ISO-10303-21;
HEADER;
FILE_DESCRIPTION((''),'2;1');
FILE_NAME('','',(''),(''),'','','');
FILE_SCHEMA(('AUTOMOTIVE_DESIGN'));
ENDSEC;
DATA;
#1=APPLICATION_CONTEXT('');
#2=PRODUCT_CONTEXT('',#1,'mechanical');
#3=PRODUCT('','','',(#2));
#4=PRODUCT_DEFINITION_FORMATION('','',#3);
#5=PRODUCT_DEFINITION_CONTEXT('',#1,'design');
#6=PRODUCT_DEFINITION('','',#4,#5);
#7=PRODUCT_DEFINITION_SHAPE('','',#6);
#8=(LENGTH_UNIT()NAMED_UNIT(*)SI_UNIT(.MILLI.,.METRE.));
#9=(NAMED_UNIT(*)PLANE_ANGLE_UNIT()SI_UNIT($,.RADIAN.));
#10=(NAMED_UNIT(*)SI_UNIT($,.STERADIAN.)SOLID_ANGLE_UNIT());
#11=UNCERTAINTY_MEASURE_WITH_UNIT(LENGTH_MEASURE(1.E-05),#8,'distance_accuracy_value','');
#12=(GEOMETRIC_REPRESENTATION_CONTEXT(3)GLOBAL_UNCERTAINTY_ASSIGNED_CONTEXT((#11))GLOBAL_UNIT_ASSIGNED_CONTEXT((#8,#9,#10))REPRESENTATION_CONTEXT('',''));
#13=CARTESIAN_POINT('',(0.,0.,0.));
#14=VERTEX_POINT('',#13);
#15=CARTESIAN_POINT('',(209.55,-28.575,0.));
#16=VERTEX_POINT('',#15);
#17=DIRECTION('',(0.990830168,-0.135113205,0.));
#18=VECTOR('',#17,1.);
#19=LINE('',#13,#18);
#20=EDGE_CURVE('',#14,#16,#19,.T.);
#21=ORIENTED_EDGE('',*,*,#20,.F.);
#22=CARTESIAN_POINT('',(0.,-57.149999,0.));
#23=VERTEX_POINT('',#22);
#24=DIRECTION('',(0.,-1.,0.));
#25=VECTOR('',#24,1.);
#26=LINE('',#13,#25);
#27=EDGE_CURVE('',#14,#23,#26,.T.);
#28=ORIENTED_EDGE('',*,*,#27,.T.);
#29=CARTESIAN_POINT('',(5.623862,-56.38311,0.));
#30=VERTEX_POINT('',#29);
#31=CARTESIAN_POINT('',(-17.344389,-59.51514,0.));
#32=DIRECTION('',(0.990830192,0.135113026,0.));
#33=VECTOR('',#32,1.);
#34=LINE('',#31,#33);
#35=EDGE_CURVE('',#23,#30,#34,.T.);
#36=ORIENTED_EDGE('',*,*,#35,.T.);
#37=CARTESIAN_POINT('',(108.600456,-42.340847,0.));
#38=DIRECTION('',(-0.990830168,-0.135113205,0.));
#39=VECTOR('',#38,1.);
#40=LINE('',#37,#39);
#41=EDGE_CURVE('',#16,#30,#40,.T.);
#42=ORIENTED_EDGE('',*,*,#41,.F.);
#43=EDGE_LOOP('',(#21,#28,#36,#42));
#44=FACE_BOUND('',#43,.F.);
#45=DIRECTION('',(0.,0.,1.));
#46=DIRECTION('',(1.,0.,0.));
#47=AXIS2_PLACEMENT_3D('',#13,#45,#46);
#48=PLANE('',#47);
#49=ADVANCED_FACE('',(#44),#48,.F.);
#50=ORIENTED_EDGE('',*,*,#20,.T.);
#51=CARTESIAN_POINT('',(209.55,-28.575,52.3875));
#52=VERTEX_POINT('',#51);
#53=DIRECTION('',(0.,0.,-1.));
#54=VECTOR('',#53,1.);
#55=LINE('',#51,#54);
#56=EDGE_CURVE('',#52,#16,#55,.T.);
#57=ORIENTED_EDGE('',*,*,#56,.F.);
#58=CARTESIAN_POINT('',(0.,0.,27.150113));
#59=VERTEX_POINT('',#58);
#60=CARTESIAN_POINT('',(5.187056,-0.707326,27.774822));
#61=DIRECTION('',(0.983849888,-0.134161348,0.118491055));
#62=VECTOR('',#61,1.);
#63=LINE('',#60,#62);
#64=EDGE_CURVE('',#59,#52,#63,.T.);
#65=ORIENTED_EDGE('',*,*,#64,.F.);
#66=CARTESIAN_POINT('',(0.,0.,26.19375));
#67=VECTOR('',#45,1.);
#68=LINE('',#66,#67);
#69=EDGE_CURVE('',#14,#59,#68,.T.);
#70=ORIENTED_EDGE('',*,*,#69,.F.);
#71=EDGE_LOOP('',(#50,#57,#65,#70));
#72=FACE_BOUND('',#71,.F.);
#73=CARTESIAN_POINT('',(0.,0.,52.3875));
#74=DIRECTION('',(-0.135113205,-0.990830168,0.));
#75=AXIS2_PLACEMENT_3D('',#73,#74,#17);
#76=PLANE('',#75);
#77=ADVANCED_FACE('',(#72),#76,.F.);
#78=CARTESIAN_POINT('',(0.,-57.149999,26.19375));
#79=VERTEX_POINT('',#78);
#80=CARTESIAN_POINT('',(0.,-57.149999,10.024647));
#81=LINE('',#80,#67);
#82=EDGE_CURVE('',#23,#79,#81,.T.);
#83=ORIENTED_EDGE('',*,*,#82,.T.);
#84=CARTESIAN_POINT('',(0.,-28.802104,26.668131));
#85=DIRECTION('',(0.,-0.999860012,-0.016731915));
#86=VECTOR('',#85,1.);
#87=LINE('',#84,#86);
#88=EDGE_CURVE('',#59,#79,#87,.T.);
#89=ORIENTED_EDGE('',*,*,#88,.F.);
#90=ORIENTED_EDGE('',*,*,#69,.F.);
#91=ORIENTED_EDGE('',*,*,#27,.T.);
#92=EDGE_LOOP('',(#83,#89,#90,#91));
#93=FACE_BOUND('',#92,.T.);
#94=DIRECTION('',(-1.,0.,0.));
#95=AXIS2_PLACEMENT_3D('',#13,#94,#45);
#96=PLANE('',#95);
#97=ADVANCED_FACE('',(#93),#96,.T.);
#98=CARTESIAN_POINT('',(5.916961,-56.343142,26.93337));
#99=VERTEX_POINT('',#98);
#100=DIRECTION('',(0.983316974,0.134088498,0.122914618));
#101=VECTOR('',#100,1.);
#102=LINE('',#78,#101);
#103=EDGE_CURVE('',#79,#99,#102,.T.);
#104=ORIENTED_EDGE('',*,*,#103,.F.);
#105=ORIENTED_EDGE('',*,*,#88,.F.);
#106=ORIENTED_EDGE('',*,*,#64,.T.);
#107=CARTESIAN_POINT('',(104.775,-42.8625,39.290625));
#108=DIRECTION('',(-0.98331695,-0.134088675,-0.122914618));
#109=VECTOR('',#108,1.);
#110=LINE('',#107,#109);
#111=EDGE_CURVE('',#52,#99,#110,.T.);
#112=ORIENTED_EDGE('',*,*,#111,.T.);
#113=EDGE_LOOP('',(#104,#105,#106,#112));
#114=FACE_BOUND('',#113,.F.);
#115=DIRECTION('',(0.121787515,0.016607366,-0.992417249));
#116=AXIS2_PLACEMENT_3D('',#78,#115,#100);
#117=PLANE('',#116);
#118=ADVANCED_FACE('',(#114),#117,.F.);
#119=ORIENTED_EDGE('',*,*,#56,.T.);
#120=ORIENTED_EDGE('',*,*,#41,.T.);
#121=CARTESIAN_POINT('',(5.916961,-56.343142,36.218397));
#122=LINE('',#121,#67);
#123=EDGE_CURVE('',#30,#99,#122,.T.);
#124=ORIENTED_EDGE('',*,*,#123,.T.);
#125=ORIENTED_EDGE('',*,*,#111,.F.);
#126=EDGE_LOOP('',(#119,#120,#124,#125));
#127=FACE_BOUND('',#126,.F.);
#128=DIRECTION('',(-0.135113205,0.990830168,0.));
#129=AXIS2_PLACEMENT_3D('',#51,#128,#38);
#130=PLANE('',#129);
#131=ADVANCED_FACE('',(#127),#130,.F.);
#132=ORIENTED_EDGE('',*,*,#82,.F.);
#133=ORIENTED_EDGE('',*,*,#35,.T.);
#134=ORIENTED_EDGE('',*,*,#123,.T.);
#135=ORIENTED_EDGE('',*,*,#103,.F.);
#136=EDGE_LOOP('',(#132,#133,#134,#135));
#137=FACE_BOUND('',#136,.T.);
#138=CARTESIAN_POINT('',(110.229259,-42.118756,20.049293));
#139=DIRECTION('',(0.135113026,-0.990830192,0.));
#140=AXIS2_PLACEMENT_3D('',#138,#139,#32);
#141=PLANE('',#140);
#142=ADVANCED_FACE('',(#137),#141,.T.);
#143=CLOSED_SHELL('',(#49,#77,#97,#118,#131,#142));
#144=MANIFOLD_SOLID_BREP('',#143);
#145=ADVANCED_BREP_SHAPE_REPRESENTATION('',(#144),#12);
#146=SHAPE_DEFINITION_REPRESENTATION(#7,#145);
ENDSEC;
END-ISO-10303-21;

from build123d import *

# Parameters (mm, degrees)
F0_W     = 209.55
F0_H     = 52.3875
F1_DEPTH = 57.15
F3_DEPTH = 76.2
F5_DEPTH = 76.2
F7_DEPTH = 72.644
F9_DEPTH = 19.304


with BuildPart() as f1:
    # F0 (on Front) → F1 (new body)
    with BuildSketch(Plane.XZ):
        with Locations((104.775, 26.19375)):
            Rectangle(F0_W, F0_H)
    extrude(amount=F1_DEPTH)

    # F2 (on face) → F3 (cut)
    with BuildSketch(Plane.XY.offset(52.3875)):
        Polygon((209.55, -57.15), (209.55, -28.575), (0, -57.15), align=None)
    extrude(amount=-F3_DEPTH, mode=Mode.SUBTRACT)

    # F4 (on face) → F5 (cut)
    with BuildSketch(Plane.XY.offset(52.3875)):
        Polygon((0, 0), (209.55, -28.575), (209.55, 0), align=None)
    extrude(amount=-F5_DEPTH, mode=Mode.SUBTRACT)

    # F6 (on face) → F7 (cut)
    with BuildSketch(Plane(origin=(7.650913, -56.106694, 0), x_dir=(0.99083, 0.135113, 0), z_dir=(0.135113, -0.99083, 0))):
        Polygon((-7.72172, 26.19375), (203.767602, 52.3875), (-7.72172, 52.3875), align=None)
    extrude(amount=-F7_DEPTH, mode=Mode.SUBTRACT)

    # F8 (on face) → F9 (cut)
    with BuildSketch(Plane(origin=(7.650913, -56.106694, 0), x_dir=(0.99083, 0.135113, 0), z_dir=(0.135113, -0.99083, 0))):
        Polygon((203.767602, 52.3875), (-7.72172, 26.19375), (-7.72172, 0), (203.767602, 0), align=None)
        Polygon((-7.72172, 0), (-7.72172, 26.19375), (-25.226625, 0), align=None)
    extrude(amount=F9_DEPTH, mode=Mode.SUBTRACT)


solid = f1.part
